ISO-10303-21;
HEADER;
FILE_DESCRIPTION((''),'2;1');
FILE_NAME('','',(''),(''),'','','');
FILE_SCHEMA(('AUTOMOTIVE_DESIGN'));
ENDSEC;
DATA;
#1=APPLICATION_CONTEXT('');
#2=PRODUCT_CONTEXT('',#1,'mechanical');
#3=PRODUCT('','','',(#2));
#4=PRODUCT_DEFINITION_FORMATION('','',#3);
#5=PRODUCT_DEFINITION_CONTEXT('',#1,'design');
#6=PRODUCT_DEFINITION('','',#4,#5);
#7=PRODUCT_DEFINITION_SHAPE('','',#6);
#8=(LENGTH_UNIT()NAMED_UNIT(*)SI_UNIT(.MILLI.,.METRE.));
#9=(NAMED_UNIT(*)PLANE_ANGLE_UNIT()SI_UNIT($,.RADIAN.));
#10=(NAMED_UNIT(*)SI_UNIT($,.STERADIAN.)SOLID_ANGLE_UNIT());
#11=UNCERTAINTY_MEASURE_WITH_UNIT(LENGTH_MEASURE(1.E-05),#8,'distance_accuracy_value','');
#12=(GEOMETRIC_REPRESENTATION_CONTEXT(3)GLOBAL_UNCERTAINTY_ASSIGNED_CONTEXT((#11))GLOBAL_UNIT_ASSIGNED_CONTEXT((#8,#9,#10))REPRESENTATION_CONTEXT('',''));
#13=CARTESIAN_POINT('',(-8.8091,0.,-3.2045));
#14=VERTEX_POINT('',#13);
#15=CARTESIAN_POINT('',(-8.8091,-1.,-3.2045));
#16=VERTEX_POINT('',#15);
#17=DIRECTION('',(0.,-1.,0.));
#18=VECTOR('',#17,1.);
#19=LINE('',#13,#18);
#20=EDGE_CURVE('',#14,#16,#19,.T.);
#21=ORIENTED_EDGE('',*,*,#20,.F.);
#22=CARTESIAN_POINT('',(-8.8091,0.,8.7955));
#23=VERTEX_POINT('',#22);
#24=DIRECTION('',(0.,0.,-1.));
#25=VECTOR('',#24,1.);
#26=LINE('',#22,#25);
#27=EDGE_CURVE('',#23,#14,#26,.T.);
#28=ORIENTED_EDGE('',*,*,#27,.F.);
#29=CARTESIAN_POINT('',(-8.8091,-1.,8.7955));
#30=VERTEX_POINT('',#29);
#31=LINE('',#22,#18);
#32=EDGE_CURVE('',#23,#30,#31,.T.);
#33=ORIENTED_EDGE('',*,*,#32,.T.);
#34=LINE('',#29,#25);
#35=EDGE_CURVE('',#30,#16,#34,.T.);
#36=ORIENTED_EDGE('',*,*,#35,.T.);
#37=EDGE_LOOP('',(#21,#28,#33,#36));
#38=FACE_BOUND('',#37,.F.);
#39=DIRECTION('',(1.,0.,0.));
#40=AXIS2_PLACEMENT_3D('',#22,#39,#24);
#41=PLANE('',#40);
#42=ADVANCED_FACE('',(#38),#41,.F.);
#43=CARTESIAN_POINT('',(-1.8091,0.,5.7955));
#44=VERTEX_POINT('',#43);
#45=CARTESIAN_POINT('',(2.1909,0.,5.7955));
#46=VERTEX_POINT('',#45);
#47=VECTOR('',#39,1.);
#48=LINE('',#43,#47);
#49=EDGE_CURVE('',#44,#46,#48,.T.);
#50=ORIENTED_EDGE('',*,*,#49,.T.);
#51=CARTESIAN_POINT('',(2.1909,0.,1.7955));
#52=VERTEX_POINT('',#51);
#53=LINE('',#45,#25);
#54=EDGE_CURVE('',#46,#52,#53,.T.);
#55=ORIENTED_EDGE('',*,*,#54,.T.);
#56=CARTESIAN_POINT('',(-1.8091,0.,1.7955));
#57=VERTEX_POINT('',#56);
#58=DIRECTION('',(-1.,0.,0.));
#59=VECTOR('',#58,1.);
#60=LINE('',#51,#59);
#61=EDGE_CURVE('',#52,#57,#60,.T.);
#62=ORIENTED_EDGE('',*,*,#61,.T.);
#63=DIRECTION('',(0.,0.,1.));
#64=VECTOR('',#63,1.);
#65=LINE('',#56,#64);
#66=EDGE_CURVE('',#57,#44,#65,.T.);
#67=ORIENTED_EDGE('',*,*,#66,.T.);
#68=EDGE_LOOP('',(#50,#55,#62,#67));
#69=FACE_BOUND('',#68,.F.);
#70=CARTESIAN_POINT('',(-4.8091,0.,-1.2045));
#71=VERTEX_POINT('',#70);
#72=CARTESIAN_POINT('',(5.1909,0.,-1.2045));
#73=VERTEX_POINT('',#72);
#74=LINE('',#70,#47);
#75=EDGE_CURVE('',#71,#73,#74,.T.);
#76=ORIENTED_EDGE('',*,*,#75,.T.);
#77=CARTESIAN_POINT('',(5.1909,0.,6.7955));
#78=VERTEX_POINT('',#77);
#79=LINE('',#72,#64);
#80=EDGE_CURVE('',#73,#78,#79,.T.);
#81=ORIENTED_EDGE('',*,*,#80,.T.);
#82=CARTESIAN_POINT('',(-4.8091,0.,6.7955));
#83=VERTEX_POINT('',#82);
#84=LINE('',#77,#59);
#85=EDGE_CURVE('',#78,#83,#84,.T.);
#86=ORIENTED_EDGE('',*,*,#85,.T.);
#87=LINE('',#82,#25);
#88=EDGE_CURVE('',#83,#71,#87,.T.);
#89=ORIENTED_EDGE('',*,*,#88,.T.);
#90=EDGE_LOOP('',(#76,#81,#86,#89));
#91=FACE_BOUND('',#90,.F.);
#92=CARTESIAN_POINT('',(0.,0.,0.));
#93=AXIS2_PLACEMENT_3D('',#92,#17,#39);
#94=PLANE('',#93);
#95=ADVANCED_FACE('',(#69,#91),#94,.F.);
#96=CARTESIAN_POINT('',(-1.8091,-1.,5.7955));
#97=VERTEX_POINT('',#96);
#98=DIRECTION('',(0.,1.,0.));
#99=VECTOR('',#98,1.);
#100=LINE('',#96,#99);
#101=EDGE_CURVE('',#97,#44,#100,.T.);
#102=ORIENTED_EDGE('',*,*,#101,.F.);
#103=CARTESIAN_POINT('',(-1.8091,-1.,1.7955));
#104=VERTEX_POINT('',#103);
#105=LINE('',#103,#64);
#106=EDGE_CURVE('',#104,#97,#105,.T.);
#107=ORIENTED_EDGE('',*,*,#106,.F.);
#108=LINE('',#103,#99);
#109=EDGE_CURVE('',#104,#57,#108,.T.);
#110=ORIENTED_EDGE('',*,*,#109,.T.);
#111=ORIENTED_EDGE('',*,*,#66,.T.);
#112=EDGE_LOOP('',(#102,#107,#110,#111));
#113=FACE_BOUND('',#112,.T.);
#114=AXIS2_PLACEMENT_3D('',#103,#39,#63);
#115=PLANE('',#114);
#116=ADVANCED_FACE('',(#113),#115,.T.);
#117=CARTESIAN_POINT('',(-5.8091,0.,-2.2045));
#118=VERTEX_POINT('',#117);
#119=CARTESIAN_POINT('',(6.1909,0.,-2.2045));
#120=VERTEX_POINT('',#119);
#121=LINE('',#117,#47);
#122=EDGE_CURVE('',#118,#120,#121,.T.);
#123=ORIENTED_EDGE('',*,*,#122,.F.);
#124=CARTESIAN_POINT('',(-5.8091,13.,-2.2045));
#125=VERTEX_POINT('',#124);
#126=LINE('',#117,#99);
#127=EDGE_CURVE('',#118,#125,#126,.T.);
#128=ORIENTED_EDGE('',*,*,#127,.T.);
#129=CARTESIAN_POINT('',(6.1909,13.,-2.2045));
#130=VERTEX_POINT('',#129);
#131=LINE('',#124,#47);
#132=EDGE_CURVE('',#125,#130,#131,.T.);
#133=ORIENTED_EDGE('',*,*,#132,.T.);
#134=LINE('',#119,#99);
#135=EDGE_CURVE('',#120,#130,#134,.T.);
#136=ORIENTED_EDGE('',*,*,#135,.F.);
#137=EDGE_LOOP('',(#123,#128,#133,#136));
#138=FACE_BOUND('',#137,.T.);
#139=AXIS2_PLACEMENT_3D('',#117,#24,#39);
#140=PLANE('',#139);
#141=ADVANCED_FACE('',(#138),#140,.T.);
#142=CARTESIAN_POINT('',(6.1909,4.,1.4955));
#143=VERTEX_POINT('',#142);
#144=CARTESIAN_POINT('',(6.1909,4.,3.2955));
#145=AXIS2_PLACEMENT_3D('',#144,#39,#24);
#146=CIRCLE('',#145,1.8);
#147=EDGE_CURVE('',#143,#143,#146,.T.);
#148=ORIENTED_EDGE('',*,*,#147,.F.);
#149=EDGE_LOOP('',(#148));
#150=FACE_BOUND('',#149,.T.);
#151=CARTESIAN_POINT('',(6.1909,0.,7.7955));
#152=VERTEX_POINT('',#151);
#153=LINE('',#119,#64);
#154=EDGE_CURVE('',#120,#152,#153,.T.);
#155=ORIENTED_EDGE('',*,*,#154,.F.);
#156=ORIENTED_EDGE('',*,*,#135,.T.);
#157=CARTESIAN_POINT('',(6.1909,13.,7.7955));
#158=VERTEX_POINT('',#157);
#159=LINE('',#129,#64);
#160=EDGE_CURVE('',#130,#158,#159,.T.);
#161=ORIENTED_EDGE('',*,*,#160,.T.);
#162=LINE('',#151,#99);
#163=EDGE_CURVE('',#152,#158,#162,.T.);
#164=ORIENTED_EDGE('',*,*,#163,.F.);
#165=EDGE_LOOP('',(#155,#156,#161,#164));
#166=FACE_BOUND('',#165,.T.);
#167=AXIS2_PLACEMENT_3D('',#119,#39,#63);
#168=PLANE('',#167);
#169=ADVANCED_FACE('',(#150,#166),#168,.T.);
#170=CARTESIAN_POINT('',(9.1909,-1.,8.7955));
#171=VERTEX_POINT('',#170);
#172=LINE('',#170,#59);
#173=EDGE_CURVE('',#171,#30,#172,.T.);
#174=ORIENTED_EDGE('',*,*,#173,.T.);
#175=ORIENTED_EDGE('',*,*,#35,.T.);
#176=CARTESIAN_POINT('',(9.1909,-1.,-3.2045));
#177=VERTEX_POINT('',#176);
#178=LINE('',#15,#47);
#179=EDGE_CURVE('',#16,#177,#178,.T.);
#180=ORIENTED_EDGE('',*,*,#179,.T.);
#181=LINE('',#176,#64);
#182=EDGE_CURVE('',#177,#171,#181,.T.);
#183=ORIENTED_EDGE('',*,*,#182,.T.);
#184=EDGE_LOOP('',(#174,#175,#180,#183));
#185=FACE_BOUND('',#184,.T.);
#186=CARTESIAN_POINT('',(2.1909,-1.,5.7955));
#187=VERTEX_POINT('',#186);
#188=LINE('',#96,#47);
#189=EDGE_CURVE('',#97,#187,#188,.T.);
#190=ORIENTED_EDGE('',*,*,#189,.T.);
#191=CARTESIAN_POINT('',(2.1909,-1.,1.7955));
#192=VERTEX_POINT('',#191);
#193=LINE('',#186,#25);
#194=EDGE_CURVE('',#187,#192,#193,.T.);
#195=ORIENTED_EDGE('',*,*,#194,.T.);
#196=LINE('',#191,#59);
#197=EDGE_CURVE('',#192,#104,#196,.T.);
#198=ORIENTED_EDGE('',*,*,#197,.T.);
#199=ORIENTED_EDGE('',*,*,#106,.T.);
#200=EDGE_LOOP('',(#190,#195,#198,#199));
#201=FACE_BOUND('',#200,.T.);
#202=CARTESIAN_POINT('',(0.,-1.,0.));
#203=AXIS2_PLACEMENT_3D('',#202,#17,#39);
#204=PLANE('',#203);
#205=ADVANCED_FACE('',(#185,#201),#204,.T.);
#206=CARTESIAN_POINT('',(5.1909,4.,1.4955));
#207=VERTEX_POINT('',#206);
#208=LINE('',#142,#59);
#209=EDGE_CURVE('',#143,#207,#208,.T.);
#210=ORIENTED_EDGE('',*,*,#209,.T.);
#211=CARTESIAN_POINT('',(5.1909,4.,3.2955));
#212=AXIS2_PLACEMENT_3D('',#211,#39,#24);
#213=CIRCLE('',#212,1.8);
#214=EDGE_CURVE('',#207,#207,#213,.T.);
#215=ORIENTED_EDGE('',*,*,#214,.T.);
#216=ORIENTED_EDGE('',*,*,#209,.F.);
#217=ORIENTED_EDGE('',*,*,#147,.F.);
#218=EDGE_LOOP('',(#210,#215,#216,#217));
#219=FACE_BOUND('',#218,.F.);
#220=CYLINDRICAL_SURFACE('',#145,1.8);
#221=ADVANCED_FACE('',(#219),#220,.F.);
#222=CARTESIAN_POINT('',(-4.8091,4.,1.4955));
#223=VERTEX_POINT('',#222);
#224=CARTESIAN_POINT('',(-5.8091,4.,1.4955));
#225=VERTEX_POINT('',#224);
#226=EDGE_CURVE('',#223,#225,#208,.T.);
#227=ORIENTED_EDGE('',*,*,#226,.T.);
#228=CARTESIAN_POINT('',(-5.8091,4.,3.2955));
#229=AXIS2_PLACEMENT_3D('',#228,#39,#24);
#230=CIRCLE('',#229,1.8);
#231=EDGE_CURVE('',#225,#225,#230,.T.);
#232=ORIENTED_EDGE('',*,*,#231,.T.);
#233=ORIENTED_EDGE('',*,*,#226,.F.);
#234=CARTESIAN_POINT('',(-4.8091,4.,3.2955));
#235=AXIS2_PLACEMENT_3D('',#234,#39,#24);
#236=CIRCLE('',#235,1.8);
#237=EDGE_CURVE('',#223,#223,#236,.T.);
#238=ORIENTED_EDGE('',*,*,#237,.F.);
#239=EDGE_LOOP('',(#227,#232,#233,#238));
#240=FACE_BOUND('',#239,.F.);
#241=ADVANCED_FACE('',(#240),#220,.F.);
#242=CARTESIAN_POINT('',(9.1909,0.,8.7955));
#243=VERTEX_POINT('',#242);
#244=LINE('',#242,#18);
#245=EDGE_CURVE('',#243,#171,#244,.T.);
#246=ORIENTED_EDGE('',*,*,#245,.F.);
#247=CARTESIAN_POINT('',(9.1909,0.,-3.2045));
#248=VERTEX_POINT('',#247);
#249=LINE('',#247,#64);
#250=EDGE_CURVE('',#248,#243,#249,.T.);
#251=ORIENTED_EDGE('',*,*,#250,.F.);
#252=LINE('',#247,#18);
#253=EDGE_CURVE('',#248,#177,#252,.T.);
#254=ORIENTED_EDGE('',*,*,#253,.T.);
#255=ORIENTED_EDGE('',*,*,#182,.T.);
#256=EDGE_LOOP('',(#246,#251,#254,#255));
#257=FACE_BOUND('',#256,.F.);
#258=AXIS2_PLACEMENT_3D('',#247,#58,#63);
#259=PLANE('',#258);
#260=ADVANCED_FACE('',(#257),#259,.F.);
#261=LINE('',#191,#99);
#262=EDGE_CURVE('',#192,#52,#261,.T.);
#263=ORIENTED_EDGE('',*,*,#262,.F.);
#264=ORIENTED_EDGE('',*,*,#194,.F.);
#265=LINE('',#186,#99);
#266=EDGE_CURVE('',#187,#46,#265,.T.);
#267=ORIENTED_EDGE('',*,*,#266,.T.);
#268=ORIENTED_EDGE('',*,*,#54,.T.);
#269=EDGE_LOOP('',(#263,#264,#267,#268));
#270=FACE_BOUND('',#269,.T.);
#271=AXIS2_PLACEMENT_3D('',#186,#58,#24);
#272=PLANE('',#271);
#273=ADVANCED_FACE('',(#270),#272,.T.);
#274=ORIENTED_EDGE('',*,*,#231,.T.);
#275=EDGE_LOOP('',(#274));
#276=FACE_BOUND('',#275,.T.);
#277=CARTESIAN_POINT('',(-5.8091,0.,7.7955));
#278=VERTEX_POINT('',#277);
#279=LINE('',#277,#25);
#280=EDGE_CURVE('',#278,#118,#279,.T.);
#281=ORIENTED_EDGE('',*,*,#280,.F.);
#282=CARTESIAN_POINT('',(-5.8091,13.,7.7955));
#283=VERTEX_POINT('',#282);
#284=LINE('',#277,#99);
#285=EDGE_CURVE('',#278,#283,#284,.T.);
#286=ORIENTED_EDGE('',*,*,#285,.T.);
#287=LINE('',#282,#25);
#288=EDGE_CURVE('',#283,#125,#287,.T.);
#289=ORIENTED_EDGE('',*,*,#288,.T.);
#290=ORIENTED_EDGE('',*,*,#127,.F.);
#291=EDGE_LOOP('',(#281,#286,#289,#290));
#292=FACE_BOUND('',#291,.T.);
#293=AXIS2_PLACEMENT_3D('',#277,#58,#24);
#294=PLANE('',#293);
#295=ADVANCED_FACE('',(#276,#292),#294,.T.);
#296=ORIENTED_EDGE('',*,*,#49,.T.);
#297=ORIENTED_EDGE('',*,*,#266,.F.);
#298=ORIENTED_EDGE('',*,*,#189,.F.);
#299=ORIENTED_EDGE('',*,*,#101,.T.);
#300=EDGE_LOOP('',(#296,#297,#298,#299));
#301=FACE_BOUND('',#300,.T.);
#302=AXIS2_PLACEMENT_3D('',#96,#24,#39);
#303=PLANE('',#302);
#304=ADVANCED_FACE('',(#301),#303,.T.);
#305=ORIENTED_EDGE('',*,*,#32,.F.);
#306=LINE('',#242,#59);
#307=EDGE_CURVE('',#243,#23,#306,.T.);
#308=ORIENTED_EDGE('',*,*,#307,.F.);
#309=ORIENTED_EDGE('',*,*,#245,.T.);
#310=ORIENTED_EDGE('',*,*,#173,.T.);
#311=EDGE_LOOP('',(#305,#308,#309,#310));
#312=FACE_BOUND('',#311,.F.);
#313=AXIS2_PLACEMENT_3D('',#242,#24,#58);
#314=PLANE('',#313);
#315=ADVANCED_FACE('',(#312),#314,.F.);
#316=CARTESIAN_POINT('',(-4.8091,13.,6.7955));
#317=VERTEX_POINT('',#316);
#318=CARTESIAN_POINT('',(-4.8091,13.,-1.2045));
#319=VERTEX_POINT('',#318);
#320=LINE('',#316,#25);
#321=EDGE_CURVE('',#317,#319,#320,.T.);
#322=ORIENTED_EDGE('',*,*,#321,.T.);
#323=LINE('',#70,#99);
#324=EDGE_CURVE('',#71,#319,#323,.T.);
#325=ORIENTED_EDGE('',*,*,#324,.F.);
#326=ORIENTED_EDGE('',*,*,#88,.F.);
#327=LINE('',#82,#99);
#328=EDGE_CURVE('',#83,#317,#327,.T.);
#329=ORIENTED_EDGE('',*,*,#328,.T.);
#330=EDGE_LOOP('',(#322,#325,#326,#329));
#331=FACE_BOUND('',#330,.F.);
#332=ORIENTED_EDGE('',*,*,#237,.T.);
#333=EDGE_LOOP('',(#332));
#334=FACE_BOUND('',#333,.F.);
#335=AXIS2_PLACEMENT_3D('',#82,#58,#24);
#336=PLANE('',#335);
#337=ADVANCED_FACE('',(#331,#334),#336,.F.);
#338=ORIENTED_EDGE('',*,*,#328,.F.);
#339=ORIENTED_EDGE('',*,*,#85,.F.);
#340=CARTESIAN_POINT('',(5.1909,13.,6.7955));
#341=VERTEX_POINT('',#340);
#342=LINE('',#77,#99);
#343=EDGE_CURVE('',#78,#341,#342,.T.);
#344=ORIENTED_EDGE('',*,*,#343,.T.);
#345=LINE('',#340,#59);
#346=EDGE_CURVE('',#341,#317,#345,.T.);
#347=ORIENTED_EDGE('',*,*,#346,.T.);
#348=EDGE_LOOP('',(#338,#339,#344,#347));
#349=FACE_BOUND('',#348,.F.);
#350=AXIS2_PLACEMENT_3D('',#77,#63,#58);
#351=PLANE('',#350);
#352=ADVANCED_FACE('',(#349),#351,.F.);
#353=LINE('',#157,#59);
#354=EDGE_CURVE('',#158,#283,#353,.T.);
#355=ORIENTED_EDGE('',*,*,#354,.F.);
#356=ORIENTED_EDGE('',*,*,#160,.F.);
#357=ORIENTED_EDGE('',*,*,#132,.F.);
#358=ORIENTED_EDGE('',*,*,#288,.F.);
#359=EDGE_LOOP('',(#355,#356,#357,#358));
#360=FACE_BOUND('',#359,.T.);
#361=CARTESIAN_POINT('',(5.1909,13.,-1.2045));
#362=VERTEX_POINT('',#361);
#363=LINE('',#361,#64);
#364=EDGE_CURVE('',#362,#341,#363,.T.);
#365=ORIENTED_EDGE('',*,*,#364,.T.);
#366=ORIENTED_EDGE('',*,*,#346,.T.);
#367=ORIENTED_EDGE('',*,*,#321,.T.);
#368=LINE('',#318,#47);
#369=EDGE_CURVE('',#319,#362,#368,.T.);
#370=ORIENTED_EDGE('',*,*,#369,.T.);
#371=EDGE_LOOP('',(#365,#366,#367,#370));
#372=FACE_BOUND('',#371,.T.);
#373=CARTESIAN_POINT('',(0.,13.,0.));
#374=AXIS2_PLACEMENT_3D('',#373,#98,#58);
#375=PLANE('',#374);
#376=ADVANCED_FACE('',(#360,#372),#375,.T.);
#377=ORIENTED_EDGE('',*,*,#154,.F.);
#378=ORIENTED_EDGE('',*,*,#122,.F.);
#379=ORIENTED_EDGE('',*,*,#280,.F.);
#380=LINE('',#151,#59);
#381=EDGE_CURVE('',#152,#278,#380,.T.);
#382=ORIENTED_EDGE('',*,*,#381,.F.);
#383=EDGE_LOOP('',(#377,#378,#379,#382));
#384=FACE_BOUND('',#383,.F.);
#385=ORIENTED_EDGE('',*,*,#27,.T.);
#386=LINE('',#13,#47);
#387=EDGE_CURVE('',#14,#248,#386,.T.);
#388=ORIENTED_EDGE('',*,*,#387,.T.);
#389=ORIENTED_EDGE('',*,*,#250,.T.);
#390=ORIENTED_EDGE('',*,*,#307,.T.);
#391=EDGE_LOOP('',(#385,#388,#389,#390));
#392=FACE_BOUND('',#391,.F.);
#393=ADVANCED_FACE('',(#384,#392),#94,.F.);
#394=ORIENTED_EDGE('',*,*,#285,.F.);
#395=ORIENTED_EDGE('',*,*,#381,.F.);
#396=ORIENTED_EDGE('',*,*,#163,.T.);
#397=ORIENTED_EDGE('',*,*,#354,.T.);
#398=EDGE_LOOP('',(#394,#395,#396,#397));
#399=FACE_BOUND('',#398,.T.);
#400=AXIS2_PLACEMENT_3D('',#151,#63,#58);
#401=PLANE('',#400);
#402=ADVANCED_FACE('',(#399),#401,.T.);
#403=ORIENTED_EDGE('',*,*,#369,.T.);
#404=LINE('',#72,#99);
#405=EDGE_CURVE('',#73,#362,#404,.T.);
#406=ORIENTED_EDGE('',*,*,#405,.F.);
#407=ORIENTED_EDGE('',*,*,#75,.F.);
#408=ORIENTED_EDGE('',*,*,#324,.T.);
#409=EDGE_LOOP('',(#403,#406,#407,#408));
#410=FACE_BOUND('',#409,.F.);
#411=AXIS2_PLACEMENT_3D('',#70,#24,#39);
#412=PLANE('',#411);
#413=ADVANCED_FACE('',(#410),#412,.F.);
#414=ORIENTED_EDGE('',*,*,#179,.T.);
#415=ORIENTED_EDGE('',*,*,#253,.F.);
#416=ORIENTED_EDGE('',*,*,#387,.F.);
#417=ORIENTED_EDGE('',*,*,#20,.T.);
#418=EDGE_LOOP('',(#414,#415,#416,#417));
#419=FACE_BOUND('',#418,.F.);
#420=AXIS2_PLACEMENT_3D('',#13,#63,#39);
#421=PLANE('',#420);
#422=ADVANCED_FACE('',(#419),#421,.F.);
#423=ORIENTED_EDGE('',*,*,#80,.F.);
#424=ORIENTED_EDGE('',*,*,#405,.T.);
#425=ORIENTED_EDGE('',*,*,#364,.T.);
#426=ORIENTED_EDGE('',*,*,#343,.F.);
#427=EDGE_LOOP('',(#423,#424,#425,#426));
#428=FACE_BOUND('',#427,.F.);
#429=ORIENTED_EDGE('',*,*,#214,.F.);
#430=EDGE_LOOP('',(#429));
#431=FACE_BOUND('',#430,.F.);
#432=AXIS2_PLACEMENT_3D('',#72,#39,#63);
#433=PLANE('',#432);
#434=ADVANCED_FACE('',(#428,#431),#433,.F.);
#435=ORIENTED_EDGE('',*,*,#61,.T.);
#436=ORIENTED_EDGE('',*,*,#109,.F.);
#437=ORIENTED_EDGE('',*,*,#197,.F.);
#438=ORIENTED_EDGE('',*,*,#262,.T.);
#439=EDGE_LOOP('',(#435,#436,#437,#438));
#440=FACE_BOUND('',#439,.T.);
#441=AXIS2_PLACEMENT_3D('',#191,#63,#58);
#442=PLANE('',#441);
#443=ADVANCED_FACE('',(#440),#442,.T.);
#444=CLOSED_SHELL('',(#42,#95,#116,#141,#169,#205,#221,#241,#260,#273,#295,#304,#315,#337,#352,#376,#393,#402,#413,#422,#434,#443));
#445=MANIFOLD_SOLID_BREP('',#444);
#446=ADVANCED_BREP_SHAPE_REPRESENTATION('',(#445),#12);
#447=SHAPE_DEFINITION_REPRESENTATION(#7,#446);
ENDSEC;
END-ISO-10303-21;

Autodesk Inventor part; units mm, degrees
ref_plane "YZ Plane" through (0, 0, 0) normal (1, 0, 0) x (0, 1, 0)
ref_plane "XZ Plane" through (0, 0, 0) normal (0, 1, 0) x (-1, 0, 0)
ref_plane "XY Plane" through (0, 0, 0) normal (0, 0, 1) x (1, 0, 0)
sketch "Sketch1" plane through (0, 0, 0) normal (0, 1, 0) x (-1, 0, 0)
  line L0 (-6.1909, 7.7955) -> (5.8091, 7.7955)
  line L1 (5.8091, 7.7955) -> (5.8091, -2.2045)
  line L2 (5.8091, -2.2045) -> (-6.1909, -2.2045)
  line L3 (-6.1909, -2.2045) -> (-6.1909, 7.7955)
  point P0 (0, 0)
  dimension "d0" = 12
  dimension "d1" = 10
extrude "Extrusion1" add sketch "Sketch1" along normal blind 13
sketch "Sketch2" plane through (6.1909, 0, 7.7955) normal (1, 0, 0) x (0, 0, -1)
  line L0 (10, 0) -> (0, 0) projected
  line L1 (10, 0) -> (10, 13) projected
  line L2 (0, 0) -> (0, 13) projected
  circle A0 centre (4.5, 4) radius 1.8
  point P0 (7.7955, 0)
  dimension "d4" = 3.6
  dimension "d5" = 4
  dimension "d7" = 5.5
  dimension "d8" = 4.5
extrude "Extrusion2" cut sketch "Sketch2" against normal blind 13
sketch "Sketch3" plane through (0, 0, 0) normal (0, -1, 0) x (1, 0, 0)
  line L0 (6.1909, 7.7955) -> (-5.8091, 7.7955) projected
  line L1 (-5.8091, 7.7955) -> (-5.8091, -2.2045) projected
  line L2 (-5.8091, -2.2045) -> (6.1909, -2.2045) projected
  line L3 (6.1909, -2.2045) -> (6.1909, 7.7955) projected
  line L4 (-4.8091, 6.7955) -> (-4.8091, -1.2045)
  line L5 (-4.8091, -1.2045) -> (5.1909, -1.2045)
  line L6 (5.1909, -1.2045) -> (5.1909, 6.7955)
  line L7 (5.1909, 6.7955) -> (-4.8091, 6.7955)
  point P0 (0, 0)
  dimension "d11" = 1
  dimension "d12" = 1
  dimension "d14" = 1
  dimension "d15" = 1
extrude "Extrusion3" cut sketch "Sketch3" against normal blind 13 contours L7 L6 L5 L4
sketch "Sketch4" plane through (0, 0, 0) normal (0, -1, 0) x (1, 0, 0)
  line L0 (6.1909, 7.7955) -> (-5.8091, 7.7955) projected
  line L1 (-5.8091, 7.7955) -> (-5.8091, -2.2045) projected
  line L2 (-5.8091, -2.2045) -> (6.1909, -2.2045) projected
  line L3 (6.1909, -2.2045) -> (6.1909, 7.7955) projected
  line L4 (-8.8091, 8.7955) -> (-8.8091, -3.2045)
  line L5 (-8.8091, -3.2045) -> (9.1909, -3.2045)
  line L6 (9.1909, -3.2045) -> (9.1909, 8.7955)
  line L7 (9.1909, 8.7955) -> (-8.8091, 8.7955)
  point P0 (0, 0)
  dimension "d18" = 3
  dimension "d19" = 3
  dimension "d20" = 1
  dimension "d21" = 1
  dimension "d34" = 18
  dimension "d35" = 12
  dimension "d36" = 12
extrude "Extrusion4" add sketch "Sketch4" along normal blind 1 contours L3 L2 L1 L0 | L7 L6 L5 L4
sketch "Sketch5" plane through (0, -1, 0) normal (0, -1, 0) x (1, 0, 0)
  line L0 (9.1909, -3.2045) -> (9.1909, 8.7955) projected
  line L1 (9.1909, 8.7955) -> (-8.8091, 8.7955) projected
  line L2 (0.1909, 5.7955) -> (2.1909, 5.7955)
  line L3 (2.1909, 5.7955) -> (2.1909, 1.7955)
  line L4 (2.1909, 1.7955) -> (-1.8091, 1.7955)
  line L5 (-1.8091, 1.7955) -> (-1.8091, 5.7955)
  line L6 (-1.8091, 5.7955) -> (2.1909, 5.7955)
  point P0 (0, 0)
  dimension "d27" = 2
  dimension "d28" = 4
  dimension "d29" = 4
  dimension "d30" = 3
  dimension "d31" = 9
extrude "Extrusion5" cut sketch "Sketch5" against normal blind 1
properties part number "krytymotor"
